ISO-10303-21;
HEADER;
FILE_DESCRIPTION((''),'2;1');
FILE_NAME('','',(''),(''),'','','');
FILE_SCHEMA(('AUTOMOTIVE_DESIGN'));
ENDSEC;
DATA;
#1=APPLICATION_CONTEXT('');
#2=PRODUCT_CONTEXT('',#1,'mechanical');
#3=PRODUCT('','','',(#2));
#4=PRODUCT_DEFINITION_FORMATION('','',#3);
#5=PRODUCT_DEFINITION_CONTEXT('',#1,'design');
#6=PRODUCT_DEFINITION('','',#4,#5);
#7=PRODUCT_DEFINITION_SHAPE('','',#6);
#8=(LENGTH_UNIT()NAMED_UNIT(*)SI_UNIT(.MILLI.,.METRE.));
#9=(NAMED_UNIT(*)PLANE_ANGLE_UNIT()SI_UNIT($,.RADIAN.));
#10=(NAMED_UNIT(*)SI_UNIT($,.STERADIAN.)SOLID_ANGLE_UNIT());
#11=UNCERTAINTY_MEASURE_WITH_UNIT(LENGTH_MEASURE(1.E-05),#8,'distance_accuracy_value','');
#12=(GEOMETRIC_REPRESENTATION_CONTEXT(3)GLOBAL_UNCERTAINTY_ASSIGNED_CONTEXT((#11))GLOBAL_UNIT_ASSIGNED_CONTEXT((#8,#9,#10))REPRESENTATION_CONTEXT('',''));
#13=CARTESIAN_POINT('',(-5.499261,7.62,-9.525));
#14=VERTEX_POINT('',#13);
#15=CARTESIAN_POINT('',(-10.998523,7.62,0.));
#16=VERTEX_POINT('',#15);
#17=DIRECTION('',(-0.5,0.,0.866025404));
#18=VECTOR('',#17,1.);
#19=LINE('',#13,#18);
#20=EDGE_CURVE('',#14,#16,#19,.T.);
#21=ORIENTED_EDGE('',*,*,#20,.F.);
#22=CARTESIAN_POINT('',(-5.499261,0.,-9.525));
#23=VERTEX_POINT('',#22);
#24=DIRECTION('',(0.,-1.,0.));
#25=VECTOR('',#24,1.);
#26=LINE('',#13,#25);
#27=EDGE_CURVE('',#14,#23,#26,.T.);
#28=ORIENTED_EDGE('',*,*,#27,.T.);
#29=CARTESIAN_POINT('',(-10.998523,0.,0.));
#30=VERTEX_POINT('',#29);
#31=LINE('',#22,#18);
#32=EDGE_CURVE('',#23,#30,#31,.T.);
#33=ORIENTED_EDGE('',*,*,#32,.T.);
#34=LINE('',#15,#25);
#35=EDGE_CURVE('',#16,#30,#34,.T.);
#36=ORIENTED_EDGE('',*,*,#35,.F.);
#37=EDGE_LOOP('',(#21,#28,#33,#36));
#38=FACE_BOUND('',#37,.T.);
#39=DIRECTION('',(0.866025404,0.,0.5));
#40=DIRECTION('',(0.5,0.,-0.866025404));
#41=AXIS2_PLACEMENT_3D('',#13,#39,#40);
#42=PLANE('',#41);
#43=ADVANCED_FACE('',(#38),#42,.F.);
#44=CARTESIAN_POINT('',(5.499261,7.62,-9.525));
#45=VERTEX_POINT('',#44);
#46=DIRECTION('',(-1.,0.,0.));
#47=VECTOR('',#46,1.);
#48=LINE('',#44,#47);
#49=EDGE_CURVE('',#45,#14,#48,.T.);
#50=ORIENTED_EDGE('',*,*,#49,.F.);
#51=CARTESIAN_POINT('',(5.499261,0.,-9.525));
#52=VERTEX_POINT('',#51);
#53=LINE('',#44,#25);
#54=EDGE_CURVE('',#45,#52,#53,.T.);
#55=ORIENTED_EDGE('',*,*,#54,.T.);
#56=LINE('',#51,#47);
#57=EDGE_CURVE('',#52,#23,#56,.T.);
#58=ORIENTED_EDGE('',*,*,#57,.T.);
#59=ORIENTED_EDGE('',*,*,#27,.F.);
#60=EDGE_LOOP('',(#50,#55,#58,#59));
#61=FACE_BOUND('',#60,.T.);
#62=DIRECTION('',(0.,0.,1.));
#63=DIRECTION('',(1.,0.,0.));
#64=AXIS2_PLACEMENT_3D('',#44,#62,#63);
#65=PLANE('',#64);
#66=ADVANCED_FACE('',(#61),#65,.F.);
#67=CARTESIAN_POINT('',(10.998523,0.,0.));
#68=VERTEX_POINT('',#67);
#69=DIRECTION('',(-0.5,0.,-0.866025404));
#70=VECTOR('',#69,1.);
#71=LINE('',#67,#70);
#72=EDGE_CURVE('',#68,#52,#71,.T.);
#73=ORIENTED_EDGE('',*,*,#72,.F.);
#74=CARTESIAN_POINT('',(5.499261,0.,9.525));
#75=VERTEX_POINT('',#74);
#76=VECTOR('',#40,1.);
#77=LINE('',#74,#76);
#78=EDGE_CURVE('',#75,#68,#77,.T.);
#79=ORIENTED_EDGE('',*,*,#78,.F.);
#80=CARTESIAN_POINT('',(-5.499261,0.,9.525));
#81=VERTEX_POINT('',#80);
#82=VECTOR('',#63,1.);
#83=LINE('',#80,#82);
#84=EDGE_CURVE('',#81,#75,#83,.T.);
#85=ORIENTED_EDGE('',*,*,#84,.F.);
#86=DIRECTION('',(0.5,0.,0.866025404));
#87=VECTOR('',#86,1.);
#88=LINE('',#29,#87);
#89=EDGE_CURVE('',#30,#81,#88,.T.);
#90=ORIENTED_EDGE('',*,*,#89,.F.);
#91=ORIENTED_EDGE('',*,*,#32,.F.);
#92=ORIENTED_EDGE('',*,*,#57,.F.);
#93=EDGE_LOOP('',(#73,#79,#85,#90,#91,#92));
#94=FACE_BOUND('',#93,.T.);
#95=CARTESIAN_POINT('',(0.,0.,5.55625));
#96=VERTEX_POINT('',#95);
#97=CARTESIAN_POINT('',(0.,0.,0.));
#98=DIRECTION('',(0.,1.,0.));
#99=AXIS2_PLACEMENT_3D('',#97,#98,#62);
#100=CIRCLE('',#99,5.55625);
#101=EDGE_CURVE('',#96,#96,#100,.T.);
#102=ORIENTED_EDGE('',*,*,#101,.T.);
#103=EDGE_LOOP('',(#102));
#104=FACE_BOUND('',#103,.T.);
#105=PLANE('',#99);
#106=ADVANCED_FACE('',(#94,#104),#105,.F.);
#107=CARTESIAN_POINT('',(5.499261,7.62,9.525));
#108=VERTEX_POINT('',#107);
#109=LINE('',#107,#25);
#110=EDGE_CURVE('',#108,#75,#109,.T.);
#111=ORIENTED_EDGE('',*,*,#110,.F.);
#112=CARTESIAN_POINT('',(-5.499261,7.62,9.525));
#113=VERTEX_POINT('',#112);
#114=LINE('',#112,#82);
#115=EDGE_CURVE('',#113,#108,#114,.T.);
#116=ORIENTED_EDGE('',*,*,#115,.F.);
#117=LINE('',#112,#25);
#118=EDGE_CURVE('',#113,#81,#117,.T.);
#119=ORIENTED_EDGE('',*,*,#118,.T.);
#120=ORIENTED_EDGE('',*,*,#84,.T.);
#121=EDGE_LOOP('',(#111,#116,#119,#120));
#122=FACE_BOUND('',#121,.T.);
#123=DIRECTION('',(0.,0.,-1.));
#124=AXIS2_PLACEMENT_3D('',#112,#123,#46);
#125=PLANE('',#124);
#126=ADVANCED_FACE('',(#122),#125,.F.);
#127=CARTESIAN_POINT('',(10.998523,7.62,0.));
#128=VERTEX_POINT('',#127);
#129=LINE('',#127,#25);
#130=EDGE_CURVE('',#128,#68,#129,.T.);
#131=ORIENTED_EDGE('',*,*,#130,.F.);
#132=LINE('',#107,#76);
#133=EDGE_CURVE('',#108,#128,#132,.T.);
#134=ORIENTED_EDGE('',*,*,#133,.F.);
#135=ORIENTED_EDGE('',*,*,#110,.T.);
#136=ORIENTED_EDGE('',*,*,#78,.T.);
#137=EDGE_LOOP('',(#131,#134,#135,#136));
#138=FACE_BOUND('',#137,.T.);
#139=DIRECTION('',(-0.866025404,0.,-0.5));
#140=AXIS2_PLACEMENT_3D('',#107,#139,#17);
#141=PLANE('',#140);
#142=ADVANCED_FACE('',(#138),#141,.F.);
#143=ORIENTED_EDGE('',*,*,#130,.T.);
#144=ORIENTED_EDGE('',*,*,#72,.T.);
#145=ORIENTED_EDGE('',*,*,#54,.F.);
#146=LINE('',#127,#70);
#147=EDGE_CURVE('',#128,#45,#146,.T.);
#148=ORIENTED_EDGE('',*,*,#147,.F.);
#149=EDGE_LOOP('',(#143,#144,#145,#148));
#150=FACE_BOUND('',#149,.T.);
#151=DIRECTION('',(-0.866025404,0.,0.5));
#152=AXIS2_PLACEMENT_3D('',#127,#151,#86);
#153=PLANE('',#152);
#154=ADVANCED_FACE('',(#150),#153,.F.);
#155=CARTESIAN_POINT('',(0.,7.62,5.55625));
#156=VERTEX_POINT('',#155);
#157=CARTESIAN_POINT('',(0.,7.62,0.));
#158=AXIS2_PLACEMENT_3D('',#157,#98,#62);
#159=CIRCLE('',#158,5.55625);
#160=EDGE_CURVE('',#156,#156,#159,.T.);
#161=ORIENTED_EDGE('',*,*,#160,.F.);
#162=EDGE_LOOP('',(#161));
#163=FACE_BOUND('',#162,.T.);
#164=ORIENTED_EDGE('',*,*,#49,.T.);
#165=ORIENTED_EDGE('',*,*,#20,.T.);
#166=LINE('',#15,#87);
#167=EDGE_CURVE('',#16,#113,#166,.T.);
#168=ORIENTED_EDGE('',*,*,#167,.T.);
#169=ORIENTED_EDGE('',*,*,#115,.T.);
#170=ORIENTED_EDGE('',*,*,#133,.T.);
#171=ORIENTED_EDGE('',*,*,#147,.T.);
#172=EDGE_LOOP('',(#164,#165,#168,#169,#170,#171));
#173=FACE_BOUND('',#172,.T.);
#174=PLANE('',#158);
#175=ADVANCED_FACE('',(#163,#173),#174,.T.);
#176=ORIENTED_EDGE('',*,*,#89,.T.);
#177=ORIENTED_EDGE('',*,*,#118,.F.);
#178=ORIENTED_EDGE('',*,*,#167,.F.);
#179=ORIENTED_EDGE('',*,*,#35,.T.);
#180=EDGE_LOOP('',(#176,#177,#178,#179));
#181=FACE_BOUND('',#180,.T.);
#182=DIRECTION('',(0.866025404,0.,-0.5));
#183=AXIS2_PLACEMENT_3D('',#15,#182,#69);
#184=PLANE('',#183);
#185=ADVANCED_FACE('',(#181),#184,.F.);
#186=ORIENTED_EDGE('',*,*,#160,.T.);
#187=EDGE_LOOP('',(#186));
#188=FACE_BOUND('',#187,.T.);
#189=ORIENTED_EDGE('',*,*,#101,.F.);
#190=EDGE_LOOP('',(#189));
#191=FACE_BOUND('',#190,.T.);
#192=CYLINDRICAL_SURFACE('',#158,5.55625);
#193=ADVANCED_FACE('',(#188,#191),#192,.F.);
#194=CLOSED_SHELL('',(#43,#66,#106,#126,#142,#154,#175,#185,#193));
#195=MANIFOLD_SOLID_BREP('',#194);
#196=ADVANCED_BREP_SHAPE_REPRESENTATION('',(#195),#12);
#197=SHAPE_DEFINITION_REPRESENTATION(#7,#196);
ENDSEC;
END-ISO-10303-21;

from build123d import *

# Parameters (mm, degrees)
BOSS_EXTRUDE1_DEPTH      = 7.62
F_7_16_20_TAPPED_HOLE1_D = 11.1125


with BuildPart() as part:
    # Sketch1 → Boss-Extrude1 (new body)
    with BuildSketch(Plane(origin=(0, 0, 0), x_dir=(1, 0, 0), z_dir=(0, 1, 0))):
        Polygon((-10.998522628, 0), (-5.499261314, -9.525), (5.499261314, -9.525), (10.998522628, 0), (5.499261314, 9.525), (-5.499261314, 9.525), align=None)
    extrude(amount=BOSS_EXTRUDE1_DEPTH)

    # 7/16-20 Tapped Hole1 (through all)
    with Locations(Plane(origin=(0, 7.62, 0), x_dir=(1, 0, 0), z_dir=(0, 1, 0))):
        with Locations((0, 0)):
            Hole(F_7_16_20_TAPPED_HOLE1_D / 2)


solid = part.part
